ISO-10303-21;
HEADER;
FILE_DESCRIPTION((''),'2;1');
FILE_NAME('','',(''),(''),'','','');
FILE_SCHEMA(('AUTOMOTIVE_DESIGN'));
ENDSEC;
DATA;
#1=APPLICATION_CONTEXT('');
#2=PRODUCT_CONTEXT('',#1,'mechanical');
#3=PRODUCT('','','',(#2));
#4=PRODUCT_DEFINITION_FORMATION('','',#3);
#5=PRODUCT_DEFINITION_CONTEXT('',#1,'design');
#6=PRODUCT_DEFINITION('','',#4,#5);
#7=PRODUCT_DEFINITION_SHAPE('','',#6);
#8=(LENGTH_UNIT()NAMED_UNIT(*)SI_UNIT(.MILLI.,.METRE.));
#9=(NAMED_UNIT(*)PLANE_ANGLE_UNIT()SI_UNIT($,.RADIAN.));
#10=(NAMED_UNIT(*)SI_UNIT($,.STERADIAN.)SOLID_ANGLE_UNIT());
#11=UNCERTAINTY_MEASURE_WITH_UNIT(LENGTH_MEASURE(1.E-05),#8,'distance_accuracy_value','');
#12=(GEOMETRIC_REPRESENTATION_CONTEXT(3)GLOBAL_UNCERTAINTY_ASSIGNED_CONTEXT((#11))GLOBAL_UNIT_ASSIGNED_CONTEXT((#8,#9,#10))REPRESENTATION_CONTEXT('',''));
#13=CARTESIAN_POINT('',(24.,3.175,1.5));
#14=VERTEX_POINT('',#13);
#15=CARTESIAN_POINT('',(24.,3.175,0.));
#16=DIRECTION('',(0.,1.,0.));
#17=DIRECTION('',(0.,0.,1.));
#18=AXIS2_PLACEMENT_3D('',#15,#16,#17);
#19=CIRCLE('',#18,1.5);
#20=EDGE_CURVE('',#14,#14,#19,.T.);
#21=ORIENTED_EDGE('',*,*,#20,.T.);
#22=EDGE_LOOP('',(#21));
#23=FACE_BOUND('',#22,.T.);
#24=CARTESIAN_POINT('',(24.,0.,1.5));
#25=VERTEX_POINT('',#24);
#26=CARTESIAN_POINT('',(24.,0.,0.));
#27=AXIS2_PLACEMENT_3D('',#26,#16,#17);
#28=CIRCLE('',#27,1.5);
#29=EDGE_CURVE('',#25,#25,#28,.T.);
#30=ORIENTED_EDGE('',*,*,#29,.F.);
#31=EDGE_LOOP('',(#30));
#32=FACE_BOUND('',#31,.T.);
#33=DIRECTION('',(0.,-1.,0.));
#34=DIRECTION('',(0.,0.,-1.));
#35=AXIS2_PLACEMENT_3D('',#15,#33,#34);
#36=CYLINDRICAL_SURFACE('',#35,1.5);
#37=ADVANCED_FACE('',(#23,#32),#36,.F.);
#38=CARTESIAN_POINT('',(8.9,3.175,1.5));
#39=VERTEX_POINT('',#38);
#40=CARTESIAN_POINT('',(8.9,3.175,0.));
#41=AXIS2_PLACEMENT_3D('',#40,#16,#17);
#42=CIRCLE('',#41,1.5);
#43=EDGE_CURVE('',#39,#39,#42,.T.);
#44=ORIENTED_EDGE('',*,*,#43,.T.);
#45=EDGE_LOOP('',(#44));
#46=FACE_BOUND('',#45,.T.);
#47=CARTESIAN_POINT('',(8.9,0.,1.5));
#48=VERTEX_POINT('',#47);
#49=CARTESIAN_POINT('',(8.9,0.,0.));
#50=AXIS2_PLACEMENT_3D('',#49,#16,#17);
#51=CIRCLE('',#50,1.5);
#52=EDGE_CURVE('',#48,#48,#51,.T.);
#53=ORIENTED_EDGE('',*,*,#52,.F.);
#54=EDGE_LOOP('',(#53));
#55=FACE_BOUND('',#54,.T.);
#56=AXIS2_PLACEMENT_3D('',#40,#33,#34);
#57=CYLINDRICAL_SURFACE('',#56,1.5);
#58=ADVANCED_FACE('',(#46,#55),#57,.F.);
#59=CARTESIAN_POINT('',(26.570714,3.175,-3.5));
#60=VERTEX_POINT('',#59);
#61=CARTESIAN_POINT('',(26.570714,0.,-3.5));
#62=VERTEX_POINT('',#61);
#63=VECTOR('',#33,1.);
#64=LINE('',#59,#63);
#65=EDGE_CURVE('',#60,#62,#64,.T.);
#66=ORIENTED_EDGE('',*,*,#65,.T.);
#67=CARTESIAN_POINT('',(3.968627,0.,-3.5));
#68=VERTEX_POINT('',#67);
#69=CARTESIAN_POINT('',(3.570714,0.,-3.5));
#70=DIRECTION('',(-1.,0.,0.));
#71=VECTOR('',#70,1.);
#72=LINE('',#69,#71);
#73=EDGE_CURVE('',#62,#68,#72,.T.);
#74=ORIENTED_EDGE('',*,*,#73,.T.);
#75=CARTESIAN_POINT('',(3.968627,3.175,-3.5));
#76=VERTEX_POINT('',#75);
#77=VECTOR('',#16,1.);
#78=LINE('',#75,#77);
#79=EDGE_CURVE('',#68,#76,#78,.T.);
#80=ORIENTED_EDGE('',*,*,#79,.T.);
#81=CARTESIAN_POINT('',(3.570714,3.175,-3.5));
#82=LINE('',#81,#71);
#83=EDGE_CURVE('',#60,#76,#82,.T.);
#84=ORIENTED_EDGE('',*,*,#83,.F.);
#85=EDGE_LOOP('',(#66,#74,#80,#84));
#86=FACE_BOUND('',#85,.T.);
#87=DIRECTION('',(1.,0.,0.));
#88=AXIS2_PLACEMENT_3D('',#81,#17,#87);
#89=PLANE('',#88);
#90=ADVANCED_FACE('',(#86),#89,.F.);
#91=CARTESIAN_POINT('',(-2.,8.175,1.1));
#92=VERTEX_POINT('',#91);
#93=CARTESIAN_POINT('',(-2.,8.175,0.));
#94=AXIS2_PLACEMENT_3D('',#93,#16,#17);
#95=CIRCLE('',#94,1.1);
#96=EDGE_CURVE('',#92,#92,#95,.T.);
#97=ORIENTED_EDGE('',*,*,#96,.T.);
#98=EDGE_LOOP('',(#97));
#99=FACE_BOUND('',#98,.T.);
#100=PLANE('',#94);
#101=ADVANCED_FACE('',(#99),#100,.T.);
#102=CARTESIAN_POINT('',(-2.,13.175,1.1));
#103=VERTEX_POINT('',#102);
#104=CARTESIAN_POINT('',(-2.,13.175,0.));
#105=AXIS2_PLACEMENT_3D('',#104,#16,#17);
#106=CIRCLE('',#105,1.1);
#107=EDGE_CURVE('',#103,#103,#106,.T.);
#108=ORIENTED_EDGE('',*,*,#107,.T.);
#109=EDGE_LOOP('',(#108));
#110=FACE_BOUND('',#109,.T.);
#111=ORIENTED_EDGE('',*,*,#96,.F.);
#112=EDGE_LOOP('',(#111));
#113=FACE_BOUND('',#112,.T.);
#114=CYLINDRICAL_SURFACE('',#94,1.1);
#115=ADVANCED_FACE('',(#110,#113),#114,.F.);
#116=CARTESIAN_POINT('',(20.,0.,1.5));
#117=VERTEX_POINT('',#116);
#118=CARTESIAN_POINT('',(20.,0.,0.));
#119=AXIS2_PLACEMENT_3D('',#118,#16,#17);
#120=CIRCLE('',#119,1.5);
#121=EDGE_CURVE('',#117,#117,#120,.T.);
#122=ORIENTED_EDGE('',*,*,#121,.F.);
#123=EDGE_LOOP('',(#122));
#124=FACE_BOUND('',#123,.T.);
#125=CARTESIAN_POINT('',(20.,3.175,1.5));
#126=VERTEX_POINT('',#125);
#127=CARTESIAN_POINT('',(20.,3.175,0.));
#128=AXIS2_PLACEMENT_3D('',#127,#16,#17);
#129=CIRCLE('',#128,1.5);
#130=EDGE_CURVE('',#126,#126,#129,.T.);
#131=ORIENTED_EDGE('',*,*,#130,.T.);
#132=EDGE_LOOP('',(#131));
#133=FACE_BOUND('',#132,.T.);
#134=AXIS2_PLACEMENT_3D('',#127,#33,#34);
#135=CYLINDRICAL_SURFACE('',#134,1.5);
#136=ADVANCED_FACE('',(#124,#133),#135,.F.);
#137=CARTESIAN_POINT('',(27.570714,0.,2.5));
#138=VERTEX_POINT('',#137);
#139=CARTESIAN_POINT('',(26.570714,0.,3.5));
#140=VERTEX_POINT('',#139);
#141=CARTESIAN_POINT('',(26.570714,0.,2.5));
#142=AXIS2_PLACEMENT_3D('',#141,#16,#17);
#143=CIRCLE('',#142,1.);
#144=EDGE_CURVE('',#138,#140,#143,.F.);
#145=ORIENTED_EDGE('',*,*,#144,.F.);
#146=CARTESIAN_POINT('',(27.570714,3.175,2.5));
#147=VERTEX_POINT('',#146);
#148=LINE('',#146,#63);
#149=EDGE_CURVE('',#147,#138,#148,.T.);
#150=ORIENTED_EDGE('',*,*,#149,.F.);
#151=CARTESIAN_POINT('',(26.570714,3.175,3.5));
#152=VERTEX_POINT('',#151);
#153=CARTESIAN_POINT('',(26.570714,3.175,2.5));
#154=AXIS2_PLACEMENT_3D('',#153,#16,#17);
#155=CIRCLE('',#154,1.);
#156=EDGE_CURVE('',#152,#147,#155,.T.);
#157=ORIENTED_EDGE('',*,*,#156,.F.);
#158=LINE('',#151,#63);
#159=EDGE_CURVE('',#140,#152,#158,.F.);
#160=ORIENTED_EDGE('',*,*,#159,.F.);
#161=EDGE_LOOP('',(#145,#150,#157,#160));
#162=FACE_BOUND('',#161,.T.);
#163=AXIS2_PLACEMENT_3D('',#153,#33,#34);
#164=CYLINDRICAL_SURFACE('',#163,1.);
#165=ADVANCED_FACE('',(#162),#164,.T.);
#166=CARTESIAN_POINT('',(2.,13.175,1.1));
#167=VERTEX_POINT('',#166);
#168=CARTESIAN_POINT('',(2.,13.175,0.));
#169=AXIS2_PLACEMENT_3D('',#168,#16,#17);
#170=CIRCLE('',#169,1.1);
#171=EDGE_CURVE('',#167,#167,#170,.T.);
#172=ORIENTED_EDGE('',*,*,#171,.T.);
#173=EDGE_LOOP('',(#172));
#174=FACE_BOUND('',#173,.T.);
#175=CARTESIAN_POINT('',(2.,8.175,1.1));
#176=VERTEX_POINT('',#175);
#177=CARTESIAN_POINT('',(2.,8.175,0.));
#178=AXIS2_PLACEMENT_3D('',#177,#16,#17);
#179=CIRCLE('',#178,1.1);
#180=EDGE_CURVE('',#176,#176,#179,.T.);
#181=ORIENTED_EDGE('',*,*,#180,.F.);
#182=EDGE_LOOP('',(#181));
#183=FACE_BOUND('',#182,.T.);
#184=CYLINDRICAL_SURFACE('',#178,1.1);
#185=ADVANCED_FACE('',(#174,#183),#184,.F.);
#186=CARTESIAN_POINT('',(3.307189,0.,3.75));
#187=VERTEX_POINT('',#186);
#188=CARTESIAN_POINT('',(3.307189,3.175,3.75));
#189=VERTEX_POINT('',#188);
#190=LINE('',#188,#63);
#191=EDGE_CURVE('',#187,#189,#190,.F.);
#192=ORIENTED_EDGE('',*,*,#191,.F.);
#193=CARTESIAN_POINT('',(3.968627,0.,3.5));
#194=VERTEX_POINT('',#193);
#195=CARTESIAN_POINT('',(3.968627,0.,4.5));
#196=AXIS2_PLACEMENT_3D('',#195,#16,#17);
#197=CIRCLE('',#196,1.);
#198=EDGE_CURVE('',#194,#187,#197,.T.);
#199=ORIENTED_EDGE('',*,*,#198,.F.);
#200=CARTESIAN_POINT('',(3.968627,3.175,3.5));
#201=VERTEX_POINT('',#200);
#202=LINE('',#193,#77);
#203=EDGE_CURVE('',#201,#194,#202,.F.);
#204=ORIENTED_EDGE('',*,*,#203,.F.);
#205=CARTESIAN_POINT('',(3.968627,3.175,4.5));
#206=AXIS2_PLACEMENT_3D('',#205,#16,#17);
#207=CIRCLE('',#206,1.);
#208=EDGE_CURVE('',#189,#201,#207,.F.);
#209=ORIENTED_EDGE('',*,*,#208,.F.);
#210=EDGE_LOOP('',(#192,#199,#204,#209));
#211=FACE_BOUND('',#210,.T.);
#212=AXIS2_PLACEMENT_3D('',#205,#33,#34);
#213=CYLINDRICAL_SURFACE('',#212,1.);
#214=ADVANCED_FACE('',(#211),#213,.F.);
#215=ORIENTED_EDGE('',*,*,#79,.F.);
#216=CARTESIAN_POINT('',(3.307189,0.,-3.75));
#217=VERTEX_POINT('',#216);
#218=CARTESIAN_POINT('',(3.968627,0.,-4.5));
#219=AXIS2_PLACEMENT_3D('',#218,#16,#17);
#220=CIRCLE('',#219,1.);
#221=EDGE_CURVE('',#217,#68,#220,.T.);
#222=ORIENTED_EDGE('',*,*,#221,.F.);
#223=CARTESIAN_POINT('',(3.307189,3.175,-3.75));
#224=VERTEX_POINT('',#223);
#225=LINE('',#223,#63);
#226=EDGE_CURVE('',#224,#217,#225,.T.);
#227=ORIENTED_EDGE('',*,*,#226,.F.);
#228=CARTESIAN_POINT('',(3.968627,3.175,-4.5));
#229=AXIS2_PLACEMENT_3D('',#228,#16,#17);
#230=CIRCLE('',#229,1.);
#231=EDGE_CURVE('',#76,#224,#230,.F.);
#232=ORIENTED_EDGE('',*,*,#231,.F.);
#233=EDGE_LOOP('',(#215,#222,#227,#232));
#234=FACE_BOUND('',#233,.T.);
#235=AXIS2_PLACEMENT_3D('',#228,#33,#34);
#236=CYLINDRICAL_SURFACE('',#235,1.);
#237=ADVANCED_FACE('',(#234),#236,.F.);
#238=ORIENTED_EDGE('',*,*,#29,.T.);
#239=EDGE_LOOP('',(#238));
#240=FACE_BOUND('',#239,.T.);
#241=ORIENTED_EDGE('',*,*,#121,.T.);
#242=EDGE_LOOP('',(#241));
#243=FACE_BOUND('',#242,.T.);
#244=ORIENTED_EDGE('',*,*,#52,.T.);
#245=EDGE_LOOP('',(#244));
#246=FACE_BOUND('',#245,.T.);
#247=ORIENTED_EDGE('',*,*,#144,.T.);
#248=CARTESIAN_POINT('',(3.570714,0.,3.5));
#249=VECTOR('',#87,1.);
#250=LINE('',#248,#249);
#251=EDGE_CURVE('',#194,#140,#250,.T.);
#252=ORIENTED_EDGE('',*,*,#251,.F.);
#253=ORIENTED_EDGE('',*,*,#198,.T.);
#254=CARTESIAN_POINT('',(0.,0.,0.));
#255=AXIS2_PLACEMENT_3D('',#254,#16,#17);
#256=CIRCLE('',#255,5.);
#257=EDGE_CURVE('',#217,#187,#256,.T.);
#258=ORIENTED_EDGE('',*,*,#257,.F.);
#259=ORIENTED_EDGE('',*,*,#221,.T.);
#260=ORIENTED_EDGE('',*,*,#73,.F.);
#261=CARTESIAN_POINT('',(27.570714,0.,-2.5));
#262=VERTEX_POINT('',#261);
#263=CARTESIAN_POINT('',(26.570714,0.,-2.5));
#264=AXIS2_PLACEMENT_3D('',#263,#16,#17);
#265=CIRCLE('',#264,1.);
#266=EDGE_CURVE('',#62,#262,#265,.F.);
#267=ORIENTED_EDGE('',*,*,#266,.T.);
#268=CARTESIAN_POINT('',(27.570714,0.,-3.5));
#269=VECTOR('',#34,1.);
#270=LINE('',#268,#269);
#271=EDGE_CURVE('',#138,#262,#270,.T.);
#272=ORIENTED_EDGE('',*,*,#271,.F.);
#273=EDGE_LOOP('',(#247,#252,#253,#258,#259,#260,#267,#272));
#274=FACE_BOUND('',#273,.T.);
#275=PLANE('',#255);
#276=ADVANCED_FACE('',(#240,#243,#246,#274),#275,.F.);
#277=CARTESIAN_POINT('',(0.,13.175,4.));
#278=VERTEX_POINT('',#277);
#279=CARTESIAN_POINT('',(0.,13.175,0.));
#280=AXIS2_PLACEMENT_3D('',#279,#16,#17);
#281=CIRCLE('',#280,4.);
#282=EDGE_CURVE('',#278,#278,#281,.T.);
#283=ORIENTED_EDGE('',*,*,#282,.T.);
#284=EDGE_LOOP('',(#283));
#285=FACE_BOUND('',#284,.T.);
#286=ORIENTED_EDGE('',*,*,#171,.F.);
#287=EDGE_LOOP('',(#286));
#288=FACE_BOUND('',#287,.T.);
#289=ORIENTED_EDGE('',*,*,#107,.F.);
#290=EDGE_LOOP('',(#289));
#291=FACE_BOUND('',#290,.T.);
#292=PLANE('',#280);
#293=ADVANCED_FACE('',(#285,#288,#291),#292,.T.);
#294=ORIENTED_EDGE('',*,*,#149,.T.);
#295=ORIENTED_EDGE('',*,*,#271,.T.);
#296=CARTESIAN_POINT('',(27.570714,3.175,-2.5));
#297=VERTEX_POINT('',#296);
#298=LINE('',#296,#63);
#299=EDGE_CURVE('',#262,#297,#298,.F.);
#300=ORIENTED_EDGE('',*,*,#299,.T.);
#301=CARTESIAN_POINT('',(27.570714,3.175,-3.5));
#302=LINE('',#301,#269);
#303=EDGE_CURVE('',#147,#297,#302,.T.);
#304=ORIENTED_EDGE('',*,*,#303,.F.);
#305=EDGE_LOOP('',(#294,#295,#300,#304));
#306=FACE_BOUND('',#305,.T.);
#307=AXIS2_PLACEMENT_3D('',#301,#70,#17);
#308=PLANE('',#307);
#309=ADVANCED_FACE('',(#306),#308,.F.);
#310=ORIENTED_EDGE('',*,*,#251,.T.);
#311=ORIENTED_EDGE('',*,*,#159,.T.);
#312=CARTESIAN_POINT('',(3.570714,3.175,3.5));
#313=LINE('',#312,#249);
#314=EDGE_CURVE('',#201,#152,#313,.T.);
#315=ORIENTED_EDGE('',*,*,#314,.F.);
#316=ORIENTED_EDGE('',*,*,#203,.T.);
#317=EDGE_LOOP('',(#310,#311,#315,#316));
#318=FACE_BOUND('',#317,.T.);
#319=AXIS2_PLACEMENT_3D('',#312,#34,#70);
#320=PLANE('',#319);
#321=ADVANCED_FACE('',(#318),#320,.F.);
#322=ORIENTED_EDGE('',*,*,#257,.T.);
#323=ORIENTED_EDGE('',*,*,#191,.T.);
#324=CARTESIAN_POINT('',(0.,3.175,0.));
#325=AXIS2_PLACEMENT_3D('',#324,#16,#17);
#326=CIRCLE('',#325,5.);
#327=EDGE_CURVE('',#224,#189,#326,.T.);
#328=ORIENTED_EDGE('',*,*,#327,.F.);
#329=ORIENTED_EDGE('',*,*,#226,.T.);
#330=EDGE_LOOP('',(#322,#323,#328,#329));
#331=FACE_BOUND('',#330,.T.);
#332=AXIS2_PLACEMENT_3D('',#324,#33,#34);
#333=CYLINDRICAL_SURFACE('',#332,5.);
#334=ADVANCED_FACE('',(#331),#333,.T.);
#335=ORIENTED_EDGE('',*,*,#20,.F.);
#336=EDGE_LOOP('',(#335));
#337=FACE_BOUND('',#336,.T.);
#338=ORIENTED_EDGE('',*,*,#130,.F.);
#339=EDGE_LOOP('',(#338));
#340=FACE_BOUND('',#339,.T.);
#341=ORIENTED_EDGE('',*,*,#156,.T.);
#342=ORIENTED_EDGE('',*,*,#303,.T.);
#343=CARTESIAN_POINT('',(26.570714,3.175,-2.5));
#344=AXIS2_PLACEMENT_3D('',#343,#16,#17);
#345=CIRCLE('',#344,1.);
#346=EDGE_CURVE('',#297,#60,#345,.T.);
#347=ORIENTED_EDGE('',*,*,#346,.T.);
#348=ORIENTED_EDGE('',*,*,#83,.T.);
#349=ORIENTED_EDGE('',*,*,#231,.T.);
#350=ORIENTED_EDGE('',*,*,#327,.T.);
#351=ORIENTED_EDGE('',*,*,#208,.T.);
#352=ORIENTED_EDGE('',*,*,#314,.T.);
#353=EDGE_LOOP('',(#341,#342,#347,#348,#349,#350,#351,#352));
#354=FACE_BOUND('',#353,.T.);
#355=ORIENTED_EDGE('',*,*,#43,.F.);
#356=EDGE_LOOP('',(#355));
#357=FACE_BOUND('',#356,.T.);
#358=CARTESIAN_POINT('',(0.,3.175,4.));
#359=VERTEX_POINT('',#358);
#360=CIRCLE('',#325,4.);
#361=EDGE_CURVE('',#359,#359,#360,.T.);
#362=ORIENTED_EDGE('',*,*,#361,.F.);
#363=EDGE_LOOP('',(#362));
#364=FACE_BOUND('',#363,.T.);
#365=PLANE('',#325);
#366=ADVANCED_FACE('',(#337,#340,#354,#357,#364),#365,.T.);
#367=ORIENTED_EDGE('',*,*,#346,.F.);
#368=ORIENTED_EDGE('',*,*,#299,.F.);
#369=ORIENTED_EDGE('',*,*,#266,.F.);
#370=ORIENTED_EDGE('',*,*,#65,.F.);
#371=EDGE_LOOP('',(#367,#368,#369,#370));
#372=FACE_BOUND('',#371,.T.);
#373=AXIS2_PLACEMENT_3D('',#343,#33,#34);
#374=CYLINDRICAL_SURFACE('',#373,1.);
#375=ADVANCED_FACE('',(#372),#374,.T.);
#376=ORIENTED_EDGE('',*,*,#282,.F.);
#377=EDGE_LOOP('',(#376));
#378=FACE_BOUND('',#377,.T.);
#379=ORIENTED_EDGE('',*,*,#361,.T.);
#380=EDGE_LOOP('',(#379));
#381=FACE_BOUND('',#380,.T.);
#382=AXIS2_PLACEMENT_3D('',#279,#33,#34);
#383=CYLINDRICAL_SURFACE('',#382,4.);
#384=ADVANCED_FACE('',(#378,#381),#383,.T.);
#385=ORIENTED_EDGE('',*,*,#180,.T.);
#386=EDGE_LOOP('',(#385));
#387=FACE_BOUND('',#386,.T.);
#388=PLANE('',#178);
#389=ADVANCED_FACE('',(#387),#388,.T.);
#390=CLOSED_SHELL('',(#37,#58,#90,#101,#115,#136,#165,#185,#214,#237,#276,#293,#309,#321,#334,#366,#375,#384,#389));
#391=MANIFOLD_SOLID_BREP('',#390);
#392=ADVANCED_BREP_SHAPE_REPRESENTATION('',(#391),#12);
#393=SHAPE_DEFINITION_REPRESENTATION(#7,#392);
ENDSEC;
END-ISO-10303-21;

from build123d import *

# Parameters (mm, degrees)
SKETCH1_R           = 1.5
BOSS_EXTRUDE1_DEPTH = 3.175
SKETCH2_R           = 4
BOSS_EXTRUDE2_DEPTH = 10
FILLET1_R           = 1
SKETCH3_R           = 1.1
CUT_EXTRUDE1_DEPTH  = 5


with BuildPart() as part:
    # Sketch1 → Boss-Extrude1 (new body)
    with BuildSketch(Plane(origin=(0, 0, 0), x_dir=(1, 0, 0), z_dir=(0, 1, 0))):
        with BuildLine():
            Line((3.570714214, 3.5), (27.570714214, 3.5))
            Line((27.570714214, 3.5), (27.570714214, -3.5))
            Line((27.570714214, -3.5), (3.570714214, -3.5))
            ThreePointArc((3.570714214, -3.5), (-5, 0), (3.570714214, 3.5))
        make_face()
        with Locations(Location((8.9, 0, 0), (0, 0, 270))):
            Circle(SKETCH1_R, mode=Mode.SUBTRACT)
        with Locations(Location((20, 0, 0), (0, 0, 270))):
            Circle(SKETCH1_R, mode=Mode.SUBTRACT)
        with Locations(Location((24, 0, 0), (0, 0, 270))):
            Circle(SKETCH1_R, mode=Mode.SUBTRACT)
    extrude(amount=BOSS_EXTRUDE1_DEPTH)

    # Sketch2 → Boss-Extrude2 (add)
    with BuildSketch(Plane(origin=(0, 3.175, 0), x_dir=(1, 0, 0), z_dir=(0, 1, 0))):
        with Locations(Location((0, 0, 0), (0, 0, 270))):
            Circle(SKETCH2_R)
    extrude(amount=BOSS_EXTRUDE2_DEPTH)

    # Fillet1
    fillet1_edges = [part.edges().sort_by_distance(p)[0] for p in [
        (27.570714214, 1.5875, 3.5),
        (3.570714214, 1.5875, 3.5),
        (3.570714214, 1.5875, -3.5),
        (27.570714214, 1.5875, -3.5),
    ]]
    fillet(fillet1_edges, radius=FILLET1_R)

    # Sketch3 → Cut-Extrude1 (cut)
    with BuildSketch(Plane(origin=(0, 13.175, 0), x_dir=(1, 0, 0), z_dir=(0, 1, 0))):
        with Locations(Location((2, 0, 0), (0, 0, 270))):
            Circle(SKETCH3_R)
        with Locations(Location((-2, 0, 0), (0, 0, 270))):
            Circle(SKETCH3_R)
    extrude(amount=-CUT_EXTRUDE1_DEPTH, mode=Mode.SUBTRACT)


solid = part.part
